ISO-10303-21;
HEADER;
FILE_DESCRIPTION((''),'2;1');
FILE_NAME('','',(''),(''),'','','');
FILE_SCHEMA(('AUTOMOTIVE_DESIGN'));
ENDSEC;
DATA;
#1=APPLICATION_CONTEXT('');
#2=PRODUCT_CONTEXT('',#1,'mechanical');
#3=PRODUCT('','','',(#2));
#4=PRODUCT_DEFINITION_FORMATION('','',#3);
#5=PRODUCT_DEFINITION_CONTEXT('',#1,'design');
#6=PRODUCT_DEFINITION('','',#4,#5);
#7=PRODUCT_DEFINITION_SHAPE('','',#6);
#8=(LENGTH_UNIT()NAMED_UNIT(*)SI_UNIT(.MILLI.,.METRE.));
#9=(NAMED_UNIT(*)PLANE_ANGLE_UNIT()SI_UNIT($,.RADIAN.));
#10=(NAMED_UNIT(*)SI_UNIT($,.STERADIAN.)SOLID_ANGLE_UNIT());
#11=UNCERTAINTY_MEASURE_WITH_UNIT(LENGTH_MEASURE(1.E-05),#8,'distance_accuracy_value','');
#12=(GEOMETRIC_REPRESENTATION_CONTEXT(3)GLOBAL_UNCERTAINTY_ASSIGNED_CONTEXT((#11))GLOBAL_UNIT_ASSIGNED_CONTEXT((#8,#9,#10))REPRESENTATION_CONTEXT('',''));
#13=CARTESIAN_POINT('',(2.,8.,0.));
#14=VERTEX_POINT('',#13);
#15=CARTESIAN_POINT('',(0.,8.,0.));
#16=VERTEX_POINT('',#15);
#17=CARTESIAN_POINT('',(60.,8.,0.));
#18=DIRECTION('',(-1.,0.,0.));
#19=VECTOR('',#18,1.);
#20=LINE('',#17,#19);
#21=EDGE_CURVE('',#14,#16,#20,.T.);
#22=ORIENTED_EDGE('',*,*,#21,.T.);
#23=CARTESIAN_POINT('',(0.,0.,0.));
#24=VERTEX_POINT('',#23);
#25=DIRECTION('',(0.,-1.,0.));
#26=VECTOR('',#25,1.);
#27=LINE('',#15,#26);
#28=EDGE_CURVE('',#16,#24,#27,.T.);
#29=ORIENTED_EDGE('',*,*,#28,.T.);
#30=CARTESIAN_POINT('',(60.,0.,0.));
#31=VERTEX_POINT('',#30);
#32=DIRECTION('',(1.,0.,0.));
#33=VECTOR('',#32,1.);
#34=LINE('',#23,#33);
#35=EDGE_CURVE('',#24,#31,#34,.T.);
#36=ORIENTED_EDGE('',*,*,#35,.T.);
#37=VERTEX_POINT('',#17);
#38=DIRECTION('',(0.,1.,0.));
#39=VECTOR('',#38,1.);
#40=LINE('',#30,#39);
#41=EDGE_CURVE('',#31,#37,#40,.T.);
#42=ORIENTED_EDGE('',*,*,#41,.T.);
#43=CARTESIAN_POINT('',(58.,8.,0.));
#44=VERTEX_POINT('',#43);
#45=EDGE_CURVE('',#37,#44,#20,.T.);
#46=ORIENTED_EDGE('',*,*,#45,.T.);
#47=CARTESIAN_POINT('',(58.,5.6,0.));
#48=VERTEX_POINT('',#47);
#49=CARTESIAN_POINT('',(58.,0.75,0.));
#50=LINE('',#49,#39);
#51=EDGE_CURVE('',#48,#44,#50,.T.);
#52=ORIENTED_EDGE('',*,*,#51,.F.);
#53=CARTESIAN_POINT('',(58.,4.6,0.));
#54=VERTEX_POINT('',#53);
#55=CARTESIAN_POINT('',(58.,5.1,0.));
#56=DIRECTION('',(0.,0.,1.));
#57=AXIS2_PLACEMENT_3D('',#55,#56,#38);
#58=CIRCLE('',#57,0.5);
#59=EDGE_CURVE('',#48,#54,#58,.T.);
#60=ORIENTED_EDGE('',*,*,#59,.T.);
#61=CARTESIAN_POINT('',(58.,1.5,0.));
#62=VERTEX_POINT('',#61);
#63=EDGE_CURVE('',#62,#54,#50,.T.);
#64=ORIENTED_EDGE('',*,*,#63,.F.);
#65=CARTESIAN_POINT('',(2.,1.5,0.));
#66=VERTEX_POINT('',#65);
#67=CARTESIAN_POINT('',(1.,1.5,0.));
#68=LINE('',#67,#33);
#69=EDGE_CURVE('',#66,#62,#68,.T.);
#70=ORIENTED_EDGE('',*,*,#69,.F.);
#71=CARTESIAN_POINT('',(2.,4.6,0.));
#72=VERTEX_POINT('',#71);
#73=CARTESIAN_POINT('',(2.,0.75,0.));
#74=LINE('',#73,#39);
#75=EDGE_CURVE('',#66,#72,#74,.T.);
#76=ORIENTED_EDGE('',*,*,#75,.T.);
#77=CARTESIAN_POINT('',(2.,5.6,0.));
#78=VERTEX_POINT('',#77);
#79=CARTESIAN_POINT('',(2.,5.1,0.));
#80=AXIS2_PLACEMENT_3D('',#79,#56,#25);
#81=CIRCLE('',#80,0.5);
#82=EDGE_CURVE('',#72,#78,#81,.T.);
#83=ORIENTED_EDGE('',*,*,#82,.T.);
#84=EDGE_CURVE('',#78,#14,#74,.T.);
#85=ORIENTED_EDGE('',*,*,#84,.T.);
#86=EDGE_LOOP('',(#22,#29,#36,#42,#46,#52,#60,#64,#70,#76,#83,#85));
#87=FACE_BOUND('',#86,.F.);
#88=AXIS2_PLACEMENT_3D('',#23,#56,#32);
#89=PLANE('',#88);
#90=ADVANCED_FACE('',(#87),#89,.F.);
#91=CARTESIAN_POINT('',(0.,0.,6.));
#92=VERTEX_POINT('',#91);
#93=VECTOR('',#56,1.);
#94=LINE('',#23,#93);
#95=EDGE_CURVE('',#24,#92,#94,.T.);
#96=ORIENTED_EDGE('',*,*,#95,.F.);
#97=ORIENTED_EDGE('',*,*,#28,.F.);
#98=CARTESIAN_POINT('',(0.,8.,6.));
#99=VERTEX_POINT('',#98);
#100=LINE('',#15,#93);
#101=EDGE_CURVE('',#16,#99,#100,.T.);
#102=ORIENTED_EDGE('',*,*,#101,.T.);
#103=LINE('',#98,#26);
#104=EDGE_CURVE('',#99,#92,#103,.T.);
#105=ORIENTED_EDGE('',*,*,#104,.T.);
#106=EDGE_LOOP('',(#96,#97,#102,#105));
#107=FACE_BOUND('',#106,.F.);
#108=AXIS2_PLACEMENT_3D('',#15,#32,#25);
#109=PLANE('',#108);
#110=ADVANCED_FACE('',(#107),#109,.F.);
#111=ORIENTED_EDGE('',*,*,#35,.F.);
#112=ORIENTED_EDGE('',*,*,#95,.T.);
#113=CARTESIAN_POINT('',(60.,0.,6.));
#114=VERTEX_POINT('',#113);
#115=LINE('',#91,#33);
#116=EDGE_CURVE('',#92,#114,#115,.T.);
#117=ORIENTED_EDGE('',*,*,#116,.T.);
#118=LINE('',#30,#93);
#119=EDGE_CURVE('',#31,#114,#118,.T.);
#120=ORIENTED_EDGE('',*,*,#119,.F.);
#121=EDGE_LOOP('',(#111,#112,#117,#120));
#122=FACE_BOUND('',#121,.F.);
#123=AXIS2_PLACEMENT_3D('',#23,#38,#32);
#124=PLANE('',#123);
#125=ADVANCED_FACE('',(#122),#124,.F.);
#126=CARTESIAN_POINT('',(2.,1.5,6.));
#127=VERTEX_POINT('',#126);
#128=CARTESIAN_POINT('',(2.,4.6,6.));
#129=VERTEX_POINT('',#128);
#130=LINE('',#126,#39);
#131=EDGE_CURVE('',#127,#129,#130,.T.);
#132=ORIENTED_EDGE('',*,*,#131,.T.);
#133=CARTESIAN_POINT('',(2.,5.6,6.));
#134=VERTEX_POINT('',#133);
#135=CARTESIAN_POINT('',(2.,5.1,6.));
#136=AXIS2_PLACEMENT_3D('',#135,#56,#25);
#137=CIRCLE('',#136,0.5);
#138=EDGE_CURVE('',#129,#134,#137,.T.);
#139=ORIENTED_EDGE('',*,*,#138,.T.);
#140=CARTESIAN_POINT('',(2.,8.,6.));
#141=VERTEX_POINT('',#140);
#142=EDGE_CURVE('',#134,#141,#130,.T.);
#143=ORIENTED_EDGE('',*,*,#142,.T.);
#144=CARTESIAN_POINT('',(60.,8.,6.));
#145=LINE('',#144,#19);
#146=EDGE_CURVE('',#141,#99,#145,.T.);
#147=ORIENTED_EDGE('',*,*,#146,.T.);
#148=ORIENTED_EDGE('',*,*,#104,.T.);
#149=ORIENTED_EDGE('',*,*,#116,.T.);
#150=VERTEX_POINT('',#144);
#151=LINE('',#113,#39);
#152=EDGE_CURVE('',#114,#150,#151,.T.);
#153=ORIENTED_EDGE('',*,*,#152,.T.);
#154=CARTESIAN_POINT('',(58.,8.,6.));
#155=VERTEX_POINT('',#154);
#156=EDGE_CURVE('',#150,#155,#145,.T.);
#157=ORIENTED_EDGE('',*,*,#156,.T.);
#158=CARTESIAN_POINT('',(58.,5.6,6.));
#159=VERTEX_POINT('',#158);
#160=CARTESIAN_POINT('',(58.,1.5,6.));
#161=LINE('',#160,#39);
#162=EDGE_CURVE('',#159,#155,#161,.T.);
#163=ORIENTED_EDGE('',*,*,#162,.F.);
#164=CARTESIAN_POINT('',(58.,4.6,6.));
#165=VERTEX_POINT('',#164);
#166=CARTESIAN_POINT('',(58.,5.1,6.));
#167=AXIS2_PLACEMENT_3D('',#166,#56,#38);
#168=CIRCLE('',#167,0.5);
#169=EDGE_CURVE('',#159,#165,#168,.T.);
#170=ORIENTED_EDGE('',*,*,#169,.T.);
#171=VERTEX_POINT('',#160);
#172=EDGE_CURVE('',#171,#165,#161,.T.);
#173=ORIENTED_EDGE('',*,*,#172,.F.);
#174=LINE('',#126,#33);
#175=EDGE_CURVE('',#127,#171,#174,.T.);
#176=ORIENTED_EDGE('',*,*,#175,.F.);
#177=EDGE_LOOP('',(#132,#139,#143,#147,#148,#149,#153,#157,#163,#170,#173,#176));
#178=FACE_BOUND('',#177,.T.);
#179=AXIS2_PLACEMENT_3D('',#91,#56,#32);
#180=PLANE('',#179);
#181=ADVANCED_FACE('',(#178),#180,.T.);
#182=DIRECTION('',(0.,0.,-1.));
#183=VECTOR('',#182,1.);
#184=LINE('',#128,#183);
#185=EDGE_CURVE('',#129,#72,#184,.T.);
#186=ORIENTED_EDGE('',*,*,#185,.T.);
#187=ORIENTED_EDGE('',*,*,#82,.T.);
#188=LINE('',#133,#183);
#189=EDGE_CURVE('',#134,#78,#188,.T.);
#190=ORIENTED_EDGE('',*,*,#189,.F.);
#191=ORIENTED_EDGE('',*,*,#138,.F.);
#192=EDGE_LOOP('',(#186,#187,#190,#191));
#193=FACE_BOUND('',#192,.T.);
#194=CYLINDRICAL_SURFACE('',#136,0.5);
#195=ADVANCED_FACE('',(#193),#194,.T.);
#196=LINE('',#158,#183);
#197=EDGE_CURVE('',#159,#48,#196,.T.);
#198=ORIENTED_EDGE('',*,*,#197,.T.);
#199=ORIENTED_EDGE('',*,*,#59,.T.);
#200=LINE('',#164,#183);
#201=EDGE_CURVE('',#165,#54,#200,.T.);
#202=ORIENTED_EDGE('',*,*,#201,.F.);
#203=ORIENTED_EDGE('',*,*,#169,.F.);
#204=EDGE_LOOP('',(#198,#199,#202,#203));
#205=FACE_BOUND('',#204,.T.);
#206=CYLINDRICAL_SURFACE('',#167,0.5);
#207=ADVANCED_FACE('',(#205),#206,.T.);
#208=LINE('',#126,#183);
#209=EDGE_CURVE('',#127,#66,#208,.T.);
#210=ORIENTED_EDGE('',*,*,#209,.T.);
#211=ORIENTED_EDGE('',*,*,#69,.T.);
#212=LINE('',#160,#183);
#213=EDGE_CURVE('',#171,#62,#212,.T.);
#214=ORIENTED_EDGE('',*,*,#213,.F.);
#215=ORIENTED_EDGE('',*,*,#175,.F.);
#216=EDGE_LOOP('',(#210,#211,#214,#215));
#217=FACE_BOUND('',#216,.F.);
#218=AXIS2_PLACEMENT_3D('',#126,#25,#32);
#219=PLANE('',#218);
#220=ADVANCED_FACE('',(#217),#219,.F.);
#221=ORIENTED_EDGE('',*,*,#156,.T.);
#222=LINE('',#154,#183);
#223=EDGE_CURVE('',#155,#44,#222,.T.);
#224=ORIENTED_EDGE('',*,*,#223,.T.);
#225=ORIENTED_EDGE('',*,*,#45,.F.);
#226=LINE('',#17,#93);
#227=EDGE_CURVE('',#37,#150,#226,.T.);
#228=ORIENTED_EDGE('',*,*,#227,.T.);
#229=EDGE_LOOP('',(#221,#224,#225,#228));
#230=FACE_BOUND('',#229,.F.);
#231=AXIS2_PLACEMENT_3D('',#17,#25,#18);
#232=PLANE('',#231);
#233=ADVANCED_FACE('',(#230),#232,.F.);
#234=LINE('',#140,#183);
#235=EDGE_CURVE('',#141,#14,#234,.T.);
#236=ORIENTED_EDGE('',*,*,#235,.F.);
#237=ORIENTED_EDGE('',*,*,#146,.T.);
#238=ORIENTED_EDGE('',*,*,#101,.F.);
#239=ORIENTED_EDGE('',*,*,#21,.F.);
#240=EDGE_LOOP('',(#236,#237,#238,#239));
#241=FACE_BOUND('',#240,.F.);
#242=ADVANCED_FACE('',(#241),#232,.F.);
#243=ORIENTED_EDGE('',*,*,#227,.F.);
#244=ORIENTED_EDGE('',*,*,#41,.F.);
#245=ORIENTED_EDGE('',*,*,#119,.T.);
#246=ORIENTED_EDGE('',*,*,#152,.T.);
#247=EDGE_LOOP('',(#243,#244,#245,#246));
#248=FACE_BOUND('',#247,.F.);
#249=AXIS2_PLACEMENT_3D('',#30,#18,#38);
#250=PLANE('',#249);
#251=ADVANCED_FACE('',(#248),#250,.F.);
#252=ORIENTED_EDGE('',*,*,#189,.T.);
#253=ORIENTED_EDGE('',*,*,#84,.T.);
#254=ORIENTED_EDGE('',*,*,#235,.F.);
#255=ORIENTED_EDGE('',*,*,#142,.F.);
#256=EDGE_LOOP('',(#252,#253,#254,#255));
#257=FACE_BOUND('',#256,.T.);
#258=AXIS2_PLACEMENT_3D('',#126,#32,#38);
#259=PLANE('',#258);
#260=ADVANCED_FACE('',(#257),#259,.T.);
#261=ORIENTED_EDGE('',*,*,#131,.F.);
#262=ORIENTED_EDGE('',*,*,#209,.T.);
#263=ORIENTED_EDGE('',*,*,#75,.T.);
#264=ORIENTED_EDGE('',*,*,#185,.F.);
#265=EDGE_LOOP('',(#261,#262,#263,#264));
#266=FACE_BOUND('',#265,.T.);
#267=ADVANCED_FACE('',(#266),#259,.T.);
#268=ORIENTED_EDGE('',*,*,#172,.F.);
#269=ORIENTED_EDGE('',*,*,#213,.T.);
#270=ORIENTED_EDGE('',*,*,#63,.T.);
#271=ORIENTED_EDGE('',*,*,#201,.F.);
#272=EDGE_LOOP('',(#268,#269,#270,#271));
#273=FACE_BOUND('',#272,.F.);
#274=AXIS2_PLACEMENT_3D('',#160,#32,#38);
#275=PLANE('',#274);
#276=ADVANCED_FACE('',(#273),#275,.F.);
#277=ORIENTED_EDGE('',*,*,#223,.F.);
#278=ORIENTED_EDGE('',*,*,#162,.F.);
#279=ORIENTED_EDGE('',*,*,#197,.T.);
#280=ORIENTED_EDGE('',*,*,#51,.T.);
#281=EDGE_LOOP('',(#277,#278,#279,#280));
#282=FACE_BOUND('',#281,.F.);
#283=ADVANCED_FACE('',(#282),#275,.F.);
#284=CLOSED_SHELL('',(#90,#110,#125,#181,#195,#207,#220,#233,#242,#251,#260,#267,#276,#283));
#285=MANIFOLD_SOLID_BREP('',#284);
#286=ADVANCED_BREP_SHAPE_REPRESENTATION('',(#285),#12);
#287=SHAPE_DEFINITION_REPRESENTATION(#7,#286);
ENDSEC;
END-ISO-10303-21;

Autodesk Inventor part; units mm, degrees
ref_plane "YZ Plane" through (0, 0, 0) normal (1, 0, 0) x (0, 1, 0)
ref_plane "XZ Plane" through (0, 0, 0) normal (0, 1, 0) x (-1, 0, 0)
ref_plane "XY Plane" through (0, 0, 0) normal (0, 0, 1) x (1, 0, 0)
sketch "Sketch1" plane through (0, 0, 0) normal (0, 0, 1) x (1, 0, 0)
  line L0 (0, 0) -> (60, 0)
  line L1 (60, 0) -> (60, 8)
  line L2 (60, 8) -> (0, 8)
  line L3 (0, 8) -> (0, 0)
  dimension "d0" = 60
  dimension "d3" = 8
extrude "Extrusion1" add sketch "Sketch1" along normal blind 6
sketch "Sketch2" plane through (0, 0, 6) normal (0, 0, 1) x (1, 0, 0)
  line L0 (0, 0) -> (60, 0) projected
  line L1 (2, 1.5) -> (58, 1.5)
  line L2 (60, 0) -> (60, 8) projected
  line L3 (2, 1.5) -> (2, 8)
  line L4 (60, 8) -> (0, 8) projected
  line L5 (58, 1.5) -> (58, 8)
  line L6 (58, 8) -> (2, 8)
  line L7 (0, 4.6) -> (60, 4.6) construction
  dimension "d5" = 1.5
  dimension "d6" = 56
  dimension "d7" = 2
  dimension "d12" = 4.6
extrude "Extrusion2" cut sketch "Sketch2" against normal blind 20
sketch "Sketch3" plane through (0, 0, 6) normal (0, 0, 1) x (1, 0, 0)
  line L0 (0, 8) -> (0, 0) construction
  line L1 (0, 4.6) -> (60, 4.6) construction
  line L2 (60, 0) -> (60, 8) construction
  line L3 (0, 0) -> (60, 0) construction
  line L4 (2, 1.5) -> (2, 8) construction
  arc A0 (2, 4.6) -> (2, 5.6) centre (2, 5.1) ccw
  line L5 (2, 5.6) -> (2, 4.6)
  line L6 (58, 1.5) -> (58, 8) projected
  arc A1 (58, 5.6) -> (58, 4.6) centre (58, 5.1) ccw
  line L7 (58, 5.6) -> (58, 4.6)
  dimension "d13" = 4.6
  dimension "d17" = 1
  dimension "d18" = 5.1
  dimension "d19" = 1
  dimension "d20" = 5.1
extrude "Extrusion3" add sketch "Sketch3" against normal blind 6
properties part number "Houderpi"
